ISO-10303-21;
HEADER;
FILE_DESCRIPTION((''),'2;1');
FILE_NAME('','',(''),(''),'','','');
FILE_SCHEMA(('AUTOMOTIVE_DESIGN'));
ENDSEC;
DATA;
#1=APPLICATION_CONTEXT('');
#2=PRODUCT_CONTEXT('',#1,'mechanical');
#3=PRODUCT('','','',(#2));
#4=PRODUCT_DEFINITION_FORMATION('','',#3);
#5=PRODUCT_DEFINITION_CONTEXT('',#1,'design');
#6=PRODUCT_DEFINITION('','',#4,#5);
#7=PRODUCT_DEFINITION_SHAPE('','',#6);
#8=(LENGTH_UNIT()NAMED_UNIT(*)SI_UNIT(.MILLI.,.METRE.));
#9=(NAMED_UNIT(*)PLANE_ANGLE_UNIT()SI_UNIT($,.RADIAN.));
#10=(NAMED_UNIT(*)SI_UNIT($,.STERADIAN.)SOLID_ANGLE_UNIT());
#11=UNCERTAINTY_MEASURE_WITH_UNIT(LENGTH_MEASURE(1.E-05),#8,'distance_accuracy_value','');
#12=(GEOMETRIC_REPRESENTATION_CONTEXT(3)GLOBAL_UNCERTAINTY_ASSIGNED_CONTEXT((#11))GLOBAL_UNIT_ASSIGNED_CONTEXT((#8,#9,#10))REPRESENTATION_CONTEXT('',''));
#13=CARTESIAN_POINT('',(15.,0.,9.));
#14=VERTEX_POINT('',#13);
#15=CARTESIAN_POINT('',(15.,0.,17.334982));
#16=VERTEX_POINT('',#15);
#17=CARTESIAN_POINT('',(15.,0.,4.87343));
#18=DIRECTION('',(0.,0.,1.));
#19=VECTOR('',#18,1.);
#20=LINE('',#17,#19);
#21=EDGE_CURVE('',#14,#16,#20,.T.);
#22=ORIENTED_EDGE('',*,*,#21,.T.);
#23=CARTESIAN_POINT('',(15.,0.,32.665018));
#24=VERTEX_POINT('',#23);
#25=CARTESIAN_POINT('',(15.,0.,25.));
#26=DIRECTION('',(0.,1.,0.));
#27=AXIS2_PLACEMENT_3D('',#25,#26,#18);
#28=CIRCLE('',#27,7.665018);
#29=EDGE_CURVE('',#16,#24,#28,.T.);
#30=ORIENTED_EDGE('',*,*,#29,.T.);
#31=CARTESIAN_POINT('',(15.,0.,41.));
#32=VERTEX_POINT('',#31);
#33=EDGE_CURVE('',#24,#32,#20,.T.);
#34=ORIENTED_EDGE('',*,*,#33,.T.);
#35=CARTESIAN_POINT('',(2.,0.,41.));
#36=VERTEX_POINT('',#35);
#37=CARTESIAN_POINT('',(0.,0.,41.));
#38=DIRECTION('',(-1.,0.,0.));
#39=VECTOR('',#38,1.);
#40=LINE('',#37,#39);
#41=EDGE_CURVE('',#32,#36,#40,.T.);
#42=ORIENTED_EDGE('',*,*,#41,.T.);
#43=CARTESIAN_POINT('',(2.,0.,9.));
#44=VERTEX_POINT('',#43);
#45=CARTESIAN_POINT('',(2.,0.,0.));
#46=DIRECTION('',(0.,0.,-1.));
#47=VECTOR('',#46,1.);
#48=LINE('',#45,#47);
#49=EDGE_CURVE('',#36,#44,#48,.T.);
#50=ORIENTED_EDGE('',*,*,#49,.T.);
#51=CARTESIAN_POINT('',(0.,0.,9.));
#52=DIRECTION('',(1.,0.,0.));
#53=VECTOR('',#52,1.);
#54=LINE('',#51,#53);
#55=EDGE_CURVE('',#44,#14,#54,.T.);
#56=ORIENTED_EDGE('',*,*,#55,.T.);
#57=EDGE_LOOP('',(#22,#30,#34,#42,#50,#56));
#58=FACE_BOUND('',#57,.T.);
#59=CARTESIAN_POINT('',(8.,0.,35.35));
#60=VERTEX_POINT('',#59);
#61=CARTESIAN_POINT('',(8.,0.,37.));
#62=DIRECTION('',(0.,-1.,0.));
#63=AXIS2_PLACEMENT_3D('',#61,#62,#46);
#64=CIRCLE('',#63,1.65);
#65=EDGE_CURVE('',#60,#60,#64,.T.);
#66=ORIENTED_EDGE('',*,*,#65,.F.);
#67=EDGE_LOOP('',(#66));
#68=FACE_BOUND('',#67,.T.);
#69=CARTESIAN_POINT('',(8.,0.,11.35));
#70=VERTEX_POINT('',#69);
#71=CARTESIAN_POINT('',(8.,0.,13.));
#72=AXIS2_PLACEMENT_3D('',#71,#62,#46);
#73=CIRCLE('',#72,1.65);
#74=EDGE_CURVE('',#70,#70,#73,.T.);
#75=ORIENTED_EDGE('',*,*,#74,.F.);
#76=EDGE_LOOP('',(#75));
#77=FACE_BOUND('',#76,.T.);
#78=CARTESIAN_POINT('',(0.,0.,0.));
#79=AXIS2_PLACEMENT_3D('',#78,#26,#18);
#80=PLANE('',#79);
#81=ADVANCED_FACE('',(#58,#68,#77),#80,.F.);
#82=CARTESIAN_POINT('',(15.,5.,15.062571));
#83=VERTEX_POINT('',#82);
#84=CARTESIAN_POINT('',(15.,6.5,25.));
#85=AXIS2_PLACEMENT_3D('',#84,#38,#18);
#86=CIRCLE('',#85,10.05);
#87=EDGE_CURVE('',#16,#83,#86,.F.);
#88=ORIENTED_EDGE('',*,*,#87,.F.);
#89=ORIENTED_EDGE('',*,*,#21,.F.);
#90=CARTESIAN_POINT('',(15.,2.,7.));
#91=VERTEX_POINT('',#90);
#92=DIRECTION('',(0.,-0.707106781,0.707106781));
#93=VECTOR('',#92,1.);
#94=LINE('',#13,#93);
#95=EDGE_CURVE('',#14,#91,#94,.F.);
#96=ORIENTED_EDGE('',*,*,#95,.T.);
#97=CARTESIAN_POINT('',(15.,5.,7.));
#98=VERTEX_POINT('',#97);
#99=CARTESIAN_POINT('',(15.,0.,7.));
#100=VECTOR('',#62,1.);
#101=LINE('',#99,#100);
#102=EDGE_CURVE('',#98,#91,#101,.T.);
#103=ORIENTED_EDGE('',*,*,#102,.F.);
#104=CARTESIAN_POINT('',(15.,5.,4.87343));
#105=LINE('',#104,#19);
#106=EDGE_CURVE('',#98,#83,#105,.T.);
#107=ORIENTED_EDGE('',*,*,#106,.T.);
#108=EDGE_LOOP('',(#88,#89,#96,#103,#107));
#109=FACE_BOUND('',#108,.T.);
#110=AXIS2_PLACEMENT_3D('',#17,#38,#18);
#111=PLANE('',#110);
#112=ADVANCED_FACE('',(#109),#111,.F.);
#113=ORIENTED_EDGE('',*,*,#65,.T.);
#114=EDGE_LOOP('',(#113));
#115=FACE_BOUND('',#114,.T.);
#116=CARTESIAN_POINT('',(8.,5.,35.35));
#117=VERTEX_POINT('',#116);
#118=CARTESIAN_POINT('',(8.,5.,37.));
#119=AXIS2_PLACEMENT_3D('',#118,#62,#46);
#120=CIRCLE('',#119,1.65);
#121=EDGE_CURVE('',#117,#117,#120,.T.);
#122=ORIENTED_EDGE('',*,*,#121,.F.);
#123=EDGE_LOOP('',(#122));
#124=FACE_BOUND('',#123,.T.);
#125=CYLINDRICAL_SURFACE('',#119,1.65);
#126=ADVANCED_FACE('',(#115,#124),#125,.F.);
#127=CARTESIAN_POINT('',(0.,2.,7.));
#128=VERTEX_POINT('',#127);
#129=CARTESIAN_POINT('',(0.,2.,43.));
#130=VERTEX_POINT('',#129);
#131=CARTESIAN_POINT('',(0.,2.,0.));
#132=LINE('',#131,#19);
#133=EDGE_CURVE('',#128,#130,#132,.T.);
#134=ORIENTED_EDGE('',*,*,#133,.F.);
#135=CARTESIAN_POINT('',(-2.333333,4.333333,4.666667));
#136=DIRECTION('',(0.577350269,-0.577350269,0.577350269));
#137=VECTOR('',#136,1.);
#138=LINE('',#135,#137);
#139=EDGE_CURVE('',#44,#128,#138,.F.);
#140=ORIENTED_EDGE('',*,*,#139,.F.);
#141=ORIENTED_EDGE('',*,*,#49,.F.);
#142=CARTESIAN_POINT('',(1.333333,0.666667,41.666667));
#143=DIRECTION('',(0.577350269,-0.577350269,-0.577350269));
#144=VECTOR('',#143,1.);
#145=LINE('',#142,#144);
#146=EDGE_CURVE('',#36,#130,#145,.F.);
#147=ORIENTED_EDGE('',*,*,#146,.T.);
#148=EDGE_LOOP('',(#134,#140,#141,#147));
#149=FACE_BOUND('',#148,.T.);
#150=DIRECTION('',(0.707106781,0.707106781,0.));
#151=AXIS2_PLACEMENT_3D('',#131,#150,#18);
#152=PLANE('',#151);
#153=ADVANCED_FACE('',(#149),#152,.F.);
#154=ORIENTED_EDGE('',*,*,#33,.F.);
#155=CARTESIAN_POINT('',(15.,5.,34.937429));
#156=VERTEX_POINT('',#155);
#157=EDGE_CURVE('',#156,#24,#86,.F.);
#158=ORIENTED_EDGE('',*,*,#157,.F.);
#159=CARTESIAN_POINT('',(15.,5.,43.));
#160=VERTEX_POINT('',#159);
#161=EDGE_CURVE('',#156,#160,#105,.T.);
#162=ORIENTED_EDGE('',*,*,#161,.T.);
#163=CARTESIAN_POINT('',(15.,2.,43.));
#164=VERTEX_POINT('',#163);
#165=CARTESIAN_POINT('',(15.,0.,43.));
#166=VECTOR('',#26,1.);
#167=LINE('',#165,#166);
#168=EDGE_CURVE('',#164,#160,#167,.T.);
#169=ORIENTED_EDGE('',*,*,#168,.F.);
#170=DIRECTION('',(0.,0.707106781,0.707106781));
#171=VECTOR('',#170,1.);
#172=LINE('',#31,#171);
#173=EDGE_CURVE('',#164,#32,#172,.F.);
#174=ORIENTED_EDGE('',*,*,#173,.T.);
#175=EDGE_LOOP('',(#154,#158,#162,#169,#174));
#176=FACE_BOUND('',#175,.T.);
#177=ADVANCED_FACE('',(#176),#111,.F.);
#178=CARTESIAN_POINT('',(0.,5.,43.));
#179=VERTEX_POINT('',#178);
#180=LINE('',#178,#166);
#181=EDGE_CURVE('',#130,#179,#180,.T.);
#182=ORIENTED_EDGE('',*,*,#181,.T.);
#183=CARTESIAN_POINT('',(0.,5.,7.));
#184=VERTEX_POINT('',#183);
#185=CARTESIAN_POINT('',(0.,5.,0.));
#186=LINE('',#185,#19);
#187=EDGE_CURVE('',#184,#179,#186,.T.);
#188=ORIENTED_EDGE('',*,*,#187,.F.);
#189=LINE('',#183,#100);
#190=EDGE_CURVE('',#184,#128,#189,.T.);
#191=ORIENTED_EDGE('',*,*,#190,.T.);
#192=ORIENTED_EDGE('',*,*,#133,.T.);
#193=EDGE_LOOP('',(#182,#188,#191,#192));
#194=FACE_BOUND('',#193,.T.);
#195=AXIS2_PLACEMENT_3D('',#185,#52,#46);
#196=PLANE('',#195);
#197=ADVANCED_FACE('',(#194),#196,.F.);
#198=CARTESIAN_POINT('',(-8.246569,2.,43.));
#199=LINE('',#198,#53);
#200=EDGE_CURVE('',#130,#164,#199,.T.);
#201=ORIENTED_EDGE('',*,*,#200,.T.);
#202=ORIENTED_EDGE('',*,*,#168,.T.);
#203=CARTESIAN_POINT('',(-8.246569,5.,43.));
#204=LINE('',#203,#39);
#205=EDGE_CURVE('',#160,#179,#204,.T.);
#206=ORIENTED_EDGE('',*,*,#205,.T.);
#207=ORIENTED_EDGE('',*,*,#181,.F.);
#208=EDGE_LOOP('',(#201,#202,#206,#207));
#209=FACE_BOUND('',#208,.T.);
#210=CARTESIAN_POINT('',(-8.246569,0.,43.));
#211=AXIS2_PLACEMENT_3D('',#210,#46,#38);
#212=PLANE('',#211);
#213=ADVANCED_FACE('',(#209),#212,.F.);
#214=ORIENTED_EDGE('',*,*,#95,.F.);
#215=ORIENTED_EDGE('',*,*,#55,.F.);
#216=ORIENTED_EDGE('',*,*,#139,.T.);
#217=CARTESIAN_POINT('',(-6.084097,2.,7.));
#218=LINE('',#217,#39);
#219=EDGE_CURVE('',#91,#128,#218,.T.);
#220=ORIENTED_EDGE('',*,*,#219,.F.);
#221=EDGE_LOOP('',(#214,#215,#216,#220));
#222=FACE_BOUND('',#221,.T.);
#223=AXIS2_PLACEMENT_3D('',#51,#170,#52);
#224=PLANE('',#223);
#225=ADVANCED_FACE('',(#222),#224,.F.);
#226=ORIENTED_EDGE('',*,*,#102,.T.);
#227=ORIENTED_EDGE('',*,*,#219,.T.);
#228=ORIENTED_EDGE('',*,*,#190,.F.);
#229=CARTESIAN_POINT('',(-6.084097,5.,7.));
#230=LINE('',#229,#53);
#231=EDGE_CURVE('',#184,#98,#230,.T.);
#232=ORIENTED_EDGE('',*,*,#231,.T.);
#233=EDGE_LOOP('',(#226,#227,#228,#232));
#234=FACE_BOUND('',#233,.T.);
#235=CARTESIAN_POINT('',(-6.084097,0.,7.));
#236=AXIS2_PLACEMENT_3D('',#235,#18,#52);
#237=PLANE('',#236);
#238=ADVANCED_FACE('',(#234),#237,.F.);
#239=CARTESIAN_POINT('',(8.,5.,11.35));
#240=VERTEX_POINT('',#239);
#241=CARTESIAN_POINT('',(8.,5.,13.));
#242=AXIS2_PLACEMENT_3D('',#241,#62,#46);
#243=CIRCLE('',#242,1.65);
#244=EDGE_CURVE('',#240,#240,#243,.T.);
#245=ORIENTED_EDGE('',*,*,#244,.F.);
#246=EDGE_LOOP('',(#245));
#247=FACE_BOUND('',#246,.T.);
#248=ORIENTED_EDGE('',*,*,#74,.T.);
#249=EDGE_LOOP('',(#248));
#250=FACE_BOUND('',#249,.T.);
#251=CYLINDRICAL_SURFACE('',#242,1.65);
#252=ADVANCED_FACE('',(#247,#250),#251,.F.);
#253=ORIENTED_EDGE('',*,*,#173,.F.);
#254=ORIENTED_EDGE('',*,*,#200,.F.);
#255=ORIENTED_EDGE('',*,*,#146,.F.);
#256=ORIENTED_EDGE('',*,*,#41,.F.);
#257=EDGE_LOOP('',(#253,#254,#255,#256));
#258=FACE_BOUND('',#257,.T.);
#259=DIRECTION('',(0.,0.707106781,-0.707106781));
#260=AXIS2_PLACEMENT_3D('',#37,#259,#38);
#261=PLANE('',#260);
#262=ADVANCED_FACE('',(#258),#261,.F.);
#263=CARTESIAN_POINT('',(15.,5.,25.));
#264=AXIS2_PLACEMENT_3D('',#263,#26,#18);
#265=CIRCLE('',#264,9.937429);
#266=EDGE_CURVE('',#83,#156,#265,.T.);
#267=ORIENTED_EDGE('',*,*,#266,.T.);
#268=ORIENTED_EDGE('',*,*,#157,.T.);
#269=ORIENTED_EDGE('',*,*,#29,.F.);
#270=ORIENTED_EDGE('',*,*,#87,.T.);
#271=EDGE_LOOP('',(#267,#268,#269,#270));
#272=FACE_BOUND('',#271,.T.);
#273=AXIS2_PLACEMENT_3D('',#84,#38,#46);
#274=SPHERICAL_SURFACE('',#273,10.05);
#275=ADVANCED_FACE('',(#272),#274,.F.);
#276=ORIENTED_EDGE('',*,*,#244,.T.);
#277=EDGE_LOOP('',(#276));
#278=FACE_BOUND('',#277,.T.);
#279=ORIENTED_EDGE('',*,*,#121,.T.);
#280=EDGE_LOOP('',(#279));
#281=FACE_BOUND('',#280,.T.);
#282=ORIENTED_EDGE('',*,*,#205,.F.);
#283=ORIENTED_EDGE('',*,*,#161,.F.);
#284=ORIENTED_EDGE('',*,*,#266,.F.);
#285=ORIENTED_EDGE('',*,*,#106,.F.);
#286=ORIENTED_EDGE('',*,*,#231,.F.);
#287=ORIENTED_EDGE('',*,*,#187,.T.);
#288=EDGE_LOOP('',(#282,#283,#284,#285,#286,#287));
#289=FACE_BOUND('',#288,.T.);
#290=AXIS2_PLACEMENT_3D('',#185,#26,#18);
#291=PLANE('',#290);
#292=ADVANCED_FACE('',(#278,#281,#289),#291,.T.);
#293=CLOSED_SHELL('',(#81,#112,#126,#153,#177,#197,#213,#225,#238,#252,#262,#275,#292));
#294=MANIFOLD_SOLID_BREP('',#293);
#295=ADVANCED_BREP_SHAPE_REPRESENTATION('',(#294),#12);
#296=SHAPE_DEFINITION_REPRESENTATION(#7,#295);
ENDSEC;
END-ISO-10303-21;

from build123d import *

# Parameters (mm, degrees)
SKETCH_1_W          = 30
SKETCH_1_H          = 50
EXTRUDE_1_DEPTH     = 5
SKETCH_3_R          = 1.65
CUT_EXTRUDE_1_DEPTH = 59.523499554
SKETCH_4_W          = 41.234400122
SKETCH_4_H          = 9.68197476
SKETCH_4_W_2        = 47.672667602
SKETCH_4_H_2        = 11.058093
CUT_EXTRUDE_2_DEPTH = 59.523499554
SKETCH_5_W          = 20.505917257
SKETCH_5_H          = 40.348212596
CUT_EXTRUDE_3_DEPTH = 53.668776329
CHAMFER_1_SIZE      = 2


with BuildPart() as part:
    # 草图1 → 凸台-拉伸1 (new body)
    with BuildSketch(Plane(origin=(0, 0, 0), x_dir=(1, 0, 0), z_dir=(0, 1, 0))):
        with Locations((15, -25)):
            Rectangle(SKETCH_1_W, SKETCH_1_H)
    extrude(amount=EXTRUDE_1_DEPTH)

    # 草图2 → 切除-旋转1 (revolve, cut)
    with BuildSketch(Plane(origin=(0, 6.5, 0), x_dir=(1, 0, 0), z_dir=(0, 1, 0))):
        with BuildLine():
            Line((4.95, -25), (25.05, -25))
            ThreePointArc((25.05, -25), (15, -35.05), (4.95, -25))
        make_face()
    revolve(axis=Axis((4.95, 6.5, 25), (1, 0, 0)), mode=Mode.SUBTRACT)

    # 草图3 → 切除-拉伸1 (cut, through all)
    with BuildSketch(Plane(origin=(0, 0, 0), x_dir=(-1, 0, 0), z_dir=(0, -1, 0))):
        with Locations(Location((-8, -37, 0), (0, 0, 90))):
            Circle(SKETCH_3_R)
        with Locations(Location((-22, -37, 0), (0, 0, 90))):
            Circle(SKETCH_3_R)
        with Locations(Location((-8, -13, 0), (0, 0, 90))):
            Circle(SKETCH_3_R)
        with Locations(Location((-22, -13, 0), (0, 0, 90))):
            Circle(SKETCH_3_R)
    extrude(amount=-CUT_EXTRUDE_1_DEPTH, mode=Mode.SUBTRACT)

    # 草图4 → 切除-拉伸2 (cut, through all)
    with BuildSketch(Plane(origin=(0, 5, 0), x_dir=(1, 0, 0), z_dir=(0, 1, 0))):
        with Locations((14.53310274, -2.15901262)):
            Rectangle(SKETCH_4_W, SKETCH_4_H)
        with Locations((15.58976496, -48.5290465)):
            Rectangle(SKETCH_4_W_2, SKETCH_4_H_2)
    extrude(amount=-CUT_EXTRUDE_2_DEPTH, mode=Mode.SUBTRACT)

    # 草图5 → 切除-拉伸3 (cut, through all)
    with BuildSketch(Plane(origin=(0, 5, 0), x_dir=(1, 0, 0), z_dir=(0, 1, 0))):
        with Locations((25.252958629, -25.047535921)):
            Rectangle(SKETCH_5_W, SKETCH_5_H)
    extrude(amount=-CUT_EXTRUDE_3_DEPTH, mode=Mode.SUBTRACT)

    # 倒角1
    chamfer_1_edges = [part.edges().sort_by_distance(p)[0] for p in [
        (0, 0, 25),
        (7.5, 0, 7),
        (7.5, 0, 43),
    ]]
    chamfer(chamfer_1_edges, length=CHAMFER_1_SIZE)


solid = part.part
